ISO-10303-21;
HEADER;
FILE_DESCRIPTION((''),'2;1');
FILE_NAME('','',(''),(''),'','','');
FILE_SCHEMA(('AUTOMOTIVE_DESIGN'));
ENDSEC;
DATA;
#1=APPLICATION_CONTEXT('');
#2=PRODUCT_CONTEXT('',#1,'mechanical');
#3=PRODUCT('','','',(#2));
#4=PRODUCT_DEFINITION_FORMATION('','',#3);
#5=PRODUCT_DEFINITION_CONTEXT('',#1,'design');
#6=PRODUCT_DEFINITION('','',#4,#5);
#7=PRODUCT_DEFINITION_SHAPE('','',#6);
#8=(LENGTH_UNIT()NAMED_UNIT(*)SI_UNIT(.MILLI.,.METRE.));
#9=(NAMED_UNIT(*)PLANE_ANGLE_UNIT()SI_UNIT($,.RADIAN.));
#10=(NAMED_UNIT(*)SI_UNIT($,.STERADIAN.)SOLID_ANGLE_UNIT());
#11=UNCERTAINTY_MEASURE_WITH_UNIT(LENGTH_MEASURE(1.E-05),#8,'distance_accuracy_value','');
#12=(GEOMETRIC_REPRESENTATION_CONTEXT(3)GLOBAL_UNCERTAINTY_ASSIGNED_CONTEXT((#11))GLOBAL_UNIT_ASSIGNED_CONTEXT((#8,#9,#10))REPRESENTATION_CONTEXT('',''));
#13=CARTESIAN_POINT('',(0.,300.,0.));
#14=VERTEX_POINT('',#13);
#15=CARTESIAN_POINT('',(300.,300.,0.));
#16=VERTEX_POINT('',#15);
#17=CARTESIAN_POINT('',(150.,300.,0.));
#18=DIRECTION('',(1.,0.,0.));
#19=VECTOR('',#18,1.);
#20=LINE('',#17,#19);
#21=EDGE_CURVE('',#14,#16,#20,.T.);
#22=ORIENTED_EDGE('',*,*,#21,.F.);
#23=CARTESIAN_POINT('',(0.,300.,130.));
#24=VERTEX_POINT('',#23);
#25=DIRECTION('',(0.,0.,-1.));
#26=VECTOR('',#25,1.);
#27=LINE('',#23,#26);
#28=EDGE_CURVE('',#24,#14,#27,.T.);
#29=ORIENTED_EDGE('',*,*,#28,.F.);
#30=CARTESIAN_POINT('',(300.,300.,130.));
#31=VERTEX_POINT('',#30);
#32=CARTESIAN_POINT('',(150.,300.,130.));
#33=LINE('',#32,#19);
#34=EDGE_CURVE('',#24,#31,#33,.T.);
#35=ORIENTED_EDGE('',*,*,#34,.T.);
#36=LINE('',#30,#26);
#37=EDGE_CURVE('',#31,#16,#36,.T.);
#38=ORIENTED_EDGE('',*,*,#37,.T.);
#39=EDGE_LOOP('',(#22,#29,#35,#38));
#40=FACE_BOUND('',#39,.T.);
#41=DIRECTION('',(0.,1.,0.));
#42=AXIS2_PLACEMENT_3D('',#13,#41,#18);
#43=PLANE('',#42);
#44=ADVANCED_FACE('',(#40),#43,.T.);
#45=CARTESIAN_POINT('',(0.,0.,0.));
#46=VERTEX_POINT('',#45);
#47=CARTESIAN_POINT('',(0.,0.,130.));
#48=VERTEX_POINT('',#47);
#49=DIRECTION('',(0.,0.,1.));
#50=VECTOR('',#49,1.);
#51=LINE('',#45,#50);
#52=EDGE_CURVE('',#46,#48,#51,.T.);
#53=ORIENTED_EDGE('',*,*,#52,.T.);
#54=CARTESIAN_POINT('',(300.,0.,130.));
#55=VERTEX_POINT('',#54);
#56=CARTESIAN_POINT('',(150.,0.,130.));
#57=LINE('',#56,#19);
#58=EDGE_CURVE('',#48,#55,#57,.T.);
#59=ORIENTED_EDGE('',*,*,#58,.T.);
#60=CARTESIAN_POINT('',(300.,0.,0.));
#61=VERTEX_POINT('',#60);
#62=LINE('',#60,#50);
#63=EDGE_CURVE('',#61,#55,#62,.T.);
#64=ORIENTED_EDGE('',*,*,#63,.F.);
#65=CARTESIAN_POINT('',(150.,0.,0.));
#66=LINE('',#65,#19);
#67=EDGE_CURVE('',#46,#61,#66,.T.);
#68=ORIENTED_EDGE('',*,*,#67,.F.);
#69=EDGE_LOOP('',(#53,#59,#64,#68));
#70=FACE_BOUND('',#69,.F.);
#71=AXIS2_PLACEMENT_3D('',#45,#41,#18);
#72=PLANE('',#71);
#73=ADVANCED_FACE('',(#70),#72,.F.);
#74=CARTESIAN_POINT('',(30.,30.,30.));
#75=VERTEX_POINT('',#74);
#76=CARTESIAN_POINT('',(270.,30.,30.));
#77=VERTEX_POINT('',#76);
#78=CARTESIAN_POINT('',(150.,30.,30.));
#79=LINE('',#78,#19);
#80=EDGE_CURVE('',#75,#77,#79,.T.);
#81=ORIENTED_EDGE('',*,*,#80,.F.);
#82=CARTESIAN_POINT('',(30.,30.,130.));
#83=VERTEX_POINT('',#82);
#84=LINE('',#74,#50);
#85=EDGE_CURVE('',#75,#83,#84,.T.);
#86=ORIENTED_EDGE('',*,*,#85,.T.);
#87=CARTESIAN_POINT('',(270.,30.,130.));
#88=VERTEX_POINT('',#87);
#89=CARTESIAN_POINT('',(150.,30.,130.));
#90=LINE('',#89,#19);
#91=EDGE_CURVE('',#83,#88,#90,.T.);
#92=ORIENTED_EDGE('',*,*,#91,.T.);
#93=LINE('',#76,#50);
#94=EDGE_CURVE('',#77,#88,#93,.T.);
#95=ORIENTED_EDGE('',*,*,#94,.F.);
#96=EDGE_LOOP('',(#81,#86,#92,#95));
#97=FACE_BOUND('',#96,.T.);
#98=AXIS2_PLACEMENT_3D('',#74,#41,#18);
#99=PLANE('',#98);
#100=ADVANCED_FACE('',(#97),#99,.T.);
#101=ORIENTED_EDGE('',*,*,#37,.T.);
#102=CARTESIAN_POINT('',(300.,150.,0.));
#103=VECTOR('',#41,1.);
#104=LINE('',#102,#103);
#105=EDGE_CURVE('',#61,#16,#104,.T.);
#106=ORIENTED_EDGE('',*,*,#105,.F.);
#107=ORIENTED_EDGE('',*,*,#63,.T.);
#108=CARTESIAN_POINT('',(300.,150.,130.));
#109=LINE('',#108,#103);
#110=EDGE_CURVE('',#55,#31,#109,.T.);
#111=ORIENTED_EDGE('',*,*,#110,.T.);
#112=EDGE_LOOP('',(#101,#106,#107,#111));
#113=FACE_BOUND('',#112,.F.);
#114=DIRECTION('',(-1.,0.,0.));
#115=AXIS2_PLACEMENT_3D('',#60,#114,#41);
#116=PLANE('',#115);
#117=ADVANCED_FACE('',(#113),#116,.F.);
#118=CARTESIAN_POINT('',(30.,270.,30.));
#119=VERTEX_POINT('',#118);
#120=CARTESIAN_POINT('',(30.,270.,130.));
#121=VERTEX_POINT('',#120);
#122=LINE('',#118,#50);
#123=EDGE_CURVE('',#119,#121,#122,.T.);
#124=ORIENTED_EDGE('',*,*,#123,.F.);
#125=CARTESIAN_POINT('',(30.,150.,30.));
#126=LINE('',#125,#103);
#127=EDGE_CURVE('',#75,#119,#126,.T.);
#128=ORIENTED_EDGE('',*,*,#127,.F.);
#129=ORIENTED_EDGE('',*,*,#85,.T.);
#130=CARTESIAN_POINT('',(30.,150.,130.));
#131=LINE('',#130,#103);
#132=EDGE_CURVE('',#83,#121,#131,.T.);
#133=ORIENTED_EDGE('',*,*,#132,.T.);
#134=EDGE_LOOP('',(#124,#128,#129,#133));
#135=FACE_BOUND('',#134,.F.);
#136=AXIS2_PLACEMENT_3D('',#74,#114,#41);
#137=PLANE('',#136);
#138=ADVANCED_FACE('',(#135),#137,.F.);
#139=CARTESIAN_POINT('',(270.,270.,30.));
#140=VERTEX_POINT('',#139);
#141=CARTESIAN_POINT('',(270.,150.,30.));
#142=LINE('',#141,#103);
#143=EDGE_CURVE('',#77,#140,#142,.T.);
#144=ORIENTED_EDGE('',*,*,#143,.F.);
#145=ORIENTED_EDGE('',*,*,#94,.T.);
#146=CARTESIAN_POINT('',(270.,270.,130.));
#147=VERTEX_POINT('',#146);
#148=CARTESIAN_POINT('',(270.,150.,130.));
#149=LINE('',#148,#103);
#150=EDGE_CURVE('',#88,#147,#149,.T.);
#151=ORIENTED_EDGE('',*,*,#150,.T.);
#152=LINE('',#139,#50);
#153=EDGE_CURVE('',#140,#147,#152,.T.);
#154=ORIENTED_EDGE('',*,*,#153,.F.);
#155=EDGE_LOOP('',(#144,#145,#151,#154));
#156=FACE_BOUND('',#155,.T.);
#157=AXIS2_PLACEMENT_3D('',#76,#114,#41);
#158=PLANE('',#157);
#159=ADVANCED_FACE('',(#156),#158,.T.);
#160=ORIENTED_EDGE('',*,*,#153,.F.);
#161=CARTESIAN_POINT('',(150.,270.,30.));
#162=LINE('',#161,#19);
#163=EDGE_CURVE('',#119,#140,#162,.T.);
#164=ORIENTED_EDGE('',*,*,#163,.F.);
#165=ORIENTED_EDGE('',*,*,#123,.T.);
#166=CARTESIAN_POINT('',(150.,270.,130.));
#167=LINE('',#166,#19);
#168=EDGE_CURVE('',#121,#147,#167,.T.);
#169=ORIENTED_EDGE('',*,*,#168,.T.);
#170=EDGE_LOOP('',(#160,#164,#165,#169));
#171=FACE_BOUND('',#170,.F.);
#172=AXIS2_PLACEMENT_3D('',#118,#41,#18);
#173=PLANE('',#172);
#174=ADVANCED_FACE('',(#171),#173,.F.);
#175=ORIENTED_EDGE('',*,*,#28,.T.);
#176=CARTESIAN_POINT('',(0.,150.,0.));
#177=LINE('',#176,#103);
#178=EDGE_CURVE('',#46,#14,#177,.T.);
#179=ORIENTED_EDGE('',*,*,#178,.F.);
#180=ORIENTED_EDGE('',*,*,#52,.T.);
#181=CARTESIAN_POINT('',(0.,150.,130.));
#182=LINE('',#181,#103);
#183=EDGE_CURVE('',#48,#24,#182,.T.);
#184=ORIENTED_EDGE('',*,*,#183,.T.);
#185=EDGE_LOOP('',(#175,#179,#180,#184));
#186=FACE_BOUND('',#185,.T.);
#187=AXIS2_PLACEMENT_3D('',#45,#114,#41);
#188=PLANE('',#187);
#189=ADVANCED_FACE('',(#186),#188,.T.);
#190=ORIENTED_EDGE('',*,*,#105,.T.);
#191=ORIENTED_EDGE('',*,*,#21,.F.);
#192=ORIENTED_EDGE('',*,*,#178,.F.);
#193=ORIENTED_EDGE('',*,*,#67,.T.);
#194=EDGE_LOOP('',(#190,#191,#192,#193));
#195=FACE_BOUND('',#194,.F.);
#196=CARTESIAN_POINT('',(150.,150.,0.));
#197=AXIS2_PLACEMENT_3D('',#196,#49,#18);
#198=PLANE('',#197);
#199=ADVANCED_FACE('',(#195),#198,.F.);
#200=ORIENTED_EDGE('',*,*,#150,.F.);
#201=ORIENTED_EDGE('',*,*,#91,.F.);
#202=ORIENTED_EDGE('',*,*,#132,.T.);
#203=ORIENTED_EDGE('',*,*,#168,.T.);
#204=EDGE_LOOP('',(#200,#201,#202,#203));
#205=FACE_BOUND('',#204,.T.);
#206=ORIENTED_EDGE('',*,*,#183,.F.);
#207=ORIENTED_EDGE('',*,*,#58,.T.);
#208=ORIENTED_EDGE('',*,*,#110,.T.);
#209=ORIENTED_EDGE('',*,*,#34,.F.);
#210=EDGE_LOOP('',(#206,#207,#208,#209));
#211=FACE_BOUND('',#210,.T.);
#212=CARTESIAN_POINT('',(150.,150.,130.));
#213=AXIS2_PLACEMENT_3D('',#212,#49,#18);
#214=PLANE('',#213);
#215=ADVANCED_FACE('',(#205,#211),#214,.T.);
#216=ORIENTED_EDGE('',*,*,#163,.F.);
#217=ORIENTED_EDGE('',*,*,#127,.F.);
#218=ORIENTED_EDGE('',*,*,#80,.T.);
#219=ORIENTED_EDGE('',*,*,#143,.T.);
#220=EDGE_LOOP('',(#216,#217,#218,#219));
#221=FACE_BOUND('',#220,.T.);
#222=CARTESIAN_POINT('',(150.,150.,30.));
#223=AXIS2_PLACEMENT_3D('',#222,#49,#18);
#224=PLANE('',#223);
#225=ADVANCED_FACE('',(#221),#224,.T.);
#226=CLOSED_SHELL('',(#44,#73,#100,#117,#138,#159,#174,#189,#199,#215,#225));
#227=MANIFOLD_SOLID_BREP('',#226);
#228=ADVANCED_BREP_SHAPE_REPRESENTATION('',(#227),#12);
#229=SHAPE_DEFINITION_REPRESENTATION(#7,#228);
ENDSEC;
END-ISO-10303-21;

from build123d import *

# Parameters (mm, degrees)
SKETCH_W      = 300
SKETCH_H      = 300
PAD_DEPTH     = 30
SKETCH001_W   = 300
SKETCH001_H   = 300
SKETCH001_W_2 = 240
SKETCH001_H_2 = 240
PAD001_DEPTH  = 100


with BuildPart() as body:
    # Sketch → Pad (new body)
    with BuildSketch(Plane.XY):
        with Locations((150, 150)):
            Rectangle(SKETCH_W, SKETCH_H)
    extrude(amount=PAD_DEPTH)


with BuildPart() as body001:
    # Sketch001 (on Face6 of Pad) → Pad001 (new body)
    with BuildSketch(Plane.XY.offset(30)):
        with Locations((150, 150)):
            Rectangle(SKETCH001_W, SKETCH001_H)
        with Locations((150, 150)):
            Rectangle(SKETCH001_W_2, SKETCH001_H_2, mode=Mode.SUBTRACT)
    extrude(amount=PAD001_DEPTH)

    # Boolean: union Body
    add(body.part)


solid = body001.part
